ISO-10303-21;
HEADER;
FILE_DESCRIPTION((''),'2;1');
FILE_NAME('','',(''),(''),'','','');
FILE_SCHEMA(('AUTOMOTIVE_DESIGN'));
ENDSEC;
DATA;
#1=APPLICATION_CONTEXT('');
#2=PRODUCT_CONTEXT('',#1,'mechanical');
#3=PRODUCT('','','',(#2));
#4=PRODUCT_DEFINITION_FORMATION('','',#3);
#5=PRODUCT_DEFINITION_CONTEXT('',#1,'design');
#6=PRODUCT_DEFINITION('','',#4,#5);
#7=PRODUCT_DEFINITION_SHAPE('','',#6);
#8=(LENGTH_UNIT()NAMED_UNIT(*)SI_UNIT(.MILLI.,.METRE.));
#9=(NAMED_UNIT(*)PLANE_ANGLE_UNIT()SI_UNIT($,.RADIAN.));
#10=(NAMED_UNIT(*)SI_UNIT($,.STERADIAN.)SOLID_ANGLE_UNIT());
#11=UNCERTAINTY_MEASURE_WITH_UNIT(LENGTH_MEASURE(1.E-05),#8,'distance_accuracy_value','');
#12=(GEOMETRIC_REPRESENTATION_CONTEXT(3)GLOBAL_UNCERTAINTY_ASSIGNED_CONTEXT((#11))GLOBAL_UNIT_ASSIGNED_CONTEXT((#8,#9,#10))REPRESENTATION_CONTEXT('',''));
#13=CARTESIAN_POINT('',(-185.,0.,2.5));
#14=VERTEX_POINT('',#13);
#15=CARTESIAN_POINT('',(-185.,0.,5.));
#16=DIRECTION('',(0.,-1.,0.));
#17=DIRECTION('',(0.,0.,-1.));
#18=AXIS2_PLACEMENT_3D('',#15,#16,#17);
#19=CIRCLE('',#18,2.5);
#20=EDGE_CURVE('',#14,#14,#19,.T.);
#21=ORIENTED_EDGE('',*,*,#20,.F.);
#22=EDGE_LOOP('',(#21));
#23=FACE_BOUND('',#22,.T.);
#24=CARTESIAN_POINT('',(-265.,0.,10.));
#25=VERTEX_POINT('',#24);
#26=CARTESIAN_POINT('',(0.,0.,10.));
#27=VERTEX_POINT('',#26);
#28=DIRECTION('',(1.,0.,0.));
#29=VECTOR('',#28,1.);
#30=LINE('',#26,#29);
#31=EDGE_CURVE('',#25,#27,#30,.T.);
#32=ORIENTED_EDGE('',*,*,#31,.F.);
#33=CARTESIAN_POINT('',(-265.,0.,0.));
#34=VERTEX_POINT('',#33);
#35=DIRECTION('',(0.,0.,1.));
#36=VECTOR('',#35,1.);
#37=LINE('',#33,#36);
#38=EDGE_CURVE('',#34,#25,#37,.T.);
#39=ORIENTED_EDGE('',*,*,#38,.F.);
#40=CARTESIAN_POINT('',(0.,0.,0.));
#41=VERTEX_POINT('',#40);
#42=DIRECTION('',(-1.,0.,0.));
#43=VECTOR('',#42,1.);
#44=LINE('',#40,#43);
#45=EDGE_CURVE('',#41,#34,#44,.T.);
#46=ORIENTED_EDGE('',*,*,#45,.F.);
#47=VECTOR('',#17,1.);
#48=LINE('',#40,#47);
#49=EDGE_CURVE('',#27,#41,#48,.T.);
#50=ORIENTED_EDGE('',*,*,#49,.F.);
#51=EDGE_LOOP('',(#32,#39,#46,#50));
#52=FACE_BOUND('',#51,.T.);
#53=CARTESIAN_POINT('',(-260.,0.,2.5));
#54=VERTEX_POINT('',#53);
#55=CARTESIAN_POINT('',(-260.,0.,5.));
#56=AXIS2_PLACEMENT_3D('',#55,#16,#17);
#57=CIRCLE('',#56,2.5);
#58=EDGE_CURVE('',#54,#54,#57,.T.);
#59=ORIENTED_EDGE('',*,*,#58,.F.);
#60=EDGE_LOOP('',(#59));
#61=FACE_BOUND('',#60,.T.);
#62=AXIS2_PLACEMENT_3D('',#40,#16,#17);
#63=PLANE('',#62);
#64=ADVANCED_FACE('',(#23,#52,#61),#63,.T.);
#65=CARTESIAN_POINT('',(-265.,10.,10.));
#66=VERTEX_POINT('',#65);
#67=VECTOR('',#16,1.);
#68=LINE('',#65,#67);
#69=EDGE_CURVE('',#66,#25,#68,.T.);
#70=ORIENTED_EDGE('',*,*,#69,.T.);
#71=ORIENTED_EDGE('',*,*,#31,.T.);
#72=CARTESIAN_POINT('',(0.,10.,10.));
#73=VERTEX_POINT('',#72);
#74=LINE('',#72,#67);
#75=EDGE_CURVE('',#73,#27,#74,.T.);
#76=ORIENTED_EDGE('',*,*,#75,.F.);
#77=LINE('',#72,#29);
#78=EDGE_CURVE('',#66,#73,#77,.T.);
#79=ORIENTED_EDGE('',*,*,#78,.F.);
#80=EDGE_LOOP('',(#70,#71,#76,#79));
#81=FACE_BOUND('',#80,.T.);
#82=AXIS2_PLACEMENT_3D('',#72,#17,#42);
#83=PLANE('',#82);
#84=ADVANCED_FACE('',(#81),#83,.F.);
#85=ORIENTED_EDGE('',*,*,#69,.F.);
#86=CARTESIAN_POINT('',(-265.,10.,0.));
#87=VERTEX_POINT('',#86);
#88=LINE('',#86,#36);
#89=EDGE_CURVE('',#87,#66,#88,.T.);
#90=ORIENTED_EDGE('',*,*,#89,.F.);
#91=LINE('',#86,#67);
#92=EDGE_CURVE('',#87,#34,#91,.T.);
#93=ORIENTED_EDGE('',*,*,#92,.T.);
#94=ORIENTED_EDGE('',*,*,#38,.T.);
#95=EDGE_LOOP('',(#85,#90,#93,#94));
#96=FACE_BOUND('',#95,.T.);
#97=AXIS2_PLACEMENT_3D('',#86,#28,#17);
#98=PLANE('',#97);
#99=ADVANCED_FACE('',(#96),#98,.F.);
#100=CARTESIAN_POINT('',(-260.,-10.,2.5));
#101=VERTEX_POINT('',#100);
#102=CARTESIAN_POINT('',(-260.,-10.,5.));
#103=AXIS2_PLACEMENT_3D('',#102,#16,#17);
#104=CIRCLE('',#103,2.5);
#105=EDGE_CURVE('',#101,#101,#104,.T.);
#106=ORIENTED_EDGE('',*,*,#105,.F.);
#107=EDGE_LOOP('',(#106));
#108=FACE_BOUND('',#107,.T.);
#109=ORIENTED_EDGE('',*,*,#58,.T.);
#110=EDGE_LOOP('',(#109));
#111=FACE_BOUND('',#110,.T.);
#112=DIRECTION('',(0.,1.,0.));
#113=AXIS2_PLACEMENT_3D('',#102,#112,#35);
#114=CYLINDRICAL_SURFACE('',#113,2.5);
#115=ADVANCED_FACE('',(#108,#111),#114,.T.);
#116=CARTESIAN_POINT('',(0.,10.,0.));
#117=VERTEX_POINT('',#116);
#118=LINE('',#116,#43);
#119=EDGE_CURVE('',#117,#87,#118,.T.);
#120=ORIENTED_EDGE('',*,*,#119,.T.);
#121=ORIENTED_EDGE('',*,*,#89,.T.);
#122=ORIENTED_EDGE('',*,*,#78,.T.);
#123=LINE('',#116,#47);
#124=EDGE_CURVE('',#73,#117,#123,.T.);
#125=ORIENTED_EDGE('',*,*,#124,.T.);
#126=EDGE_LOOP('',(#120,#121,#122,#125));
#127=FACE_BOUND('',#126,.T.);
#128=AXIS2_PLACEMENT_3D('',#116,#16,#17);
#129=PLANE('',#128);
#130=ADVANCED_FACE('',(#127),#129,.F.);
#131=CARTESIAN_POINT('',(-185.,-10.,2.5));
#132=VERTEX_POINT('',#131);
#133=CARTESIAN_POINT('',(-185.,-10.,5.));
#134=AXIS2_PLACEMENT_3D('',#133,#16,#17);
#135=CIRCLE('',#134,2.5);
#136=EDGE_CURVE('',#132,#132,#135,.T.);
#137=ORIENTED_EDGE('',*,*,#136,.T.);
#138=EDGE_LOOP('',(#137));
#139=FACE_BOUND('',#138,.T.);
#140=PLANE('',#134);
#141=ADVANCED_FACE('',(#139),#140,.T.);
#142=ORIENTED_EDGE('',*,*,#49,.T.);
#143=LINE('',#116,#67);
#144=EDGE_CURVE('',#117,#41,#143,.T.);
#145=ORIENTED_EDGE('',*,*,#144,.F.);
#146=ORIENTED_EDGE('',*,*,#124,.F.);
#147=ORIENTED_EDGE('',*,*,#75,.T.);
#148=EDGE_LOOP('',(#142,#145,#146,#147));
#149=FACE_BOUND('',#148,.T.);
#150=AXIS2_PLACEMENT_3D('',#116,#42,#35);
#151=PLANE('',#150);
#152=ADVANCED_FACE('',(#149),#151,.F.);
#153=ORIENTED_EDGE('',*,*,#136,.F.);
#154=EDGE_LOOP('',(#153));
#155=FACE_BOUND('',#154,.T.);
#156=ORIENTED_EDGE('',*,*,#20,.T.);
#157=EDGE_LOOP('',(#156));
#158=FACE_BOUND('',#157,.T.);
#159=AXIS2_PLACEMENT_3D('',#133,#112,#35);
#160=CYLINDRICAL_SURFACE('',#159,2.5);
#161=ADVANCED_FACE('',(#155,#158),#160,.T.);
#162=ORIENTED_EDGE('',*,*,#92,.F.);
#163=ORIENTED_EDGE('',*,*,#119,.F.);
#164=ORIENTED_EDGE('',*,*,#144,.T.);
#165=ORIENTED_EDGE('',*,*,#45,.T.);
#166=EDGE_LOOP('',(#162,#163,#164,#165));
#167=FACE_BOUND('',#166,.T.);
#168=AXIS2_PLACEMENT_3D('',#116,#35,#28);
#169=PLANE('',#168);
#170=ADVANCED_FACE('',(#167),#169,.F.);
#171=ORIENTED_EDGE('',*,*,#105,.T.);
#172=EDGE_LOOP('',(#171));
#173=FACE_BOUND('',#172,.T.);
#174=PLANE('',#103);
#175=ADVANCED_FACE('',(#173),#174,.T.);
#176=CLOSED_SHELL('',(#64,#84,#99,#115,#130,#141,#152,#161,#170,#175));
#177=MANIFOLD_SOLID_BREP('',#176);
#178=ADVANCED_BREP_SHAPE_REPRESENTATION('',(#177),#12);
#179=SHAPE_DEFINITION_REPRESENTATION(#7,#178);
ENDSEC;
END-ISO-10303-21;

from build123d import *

# Parameters (mm, degrees)
ESQUISSE1_W        = 265
ESQUISSE1_H        = 10
BOSS_EXTRU_1_DEPTH = 10
ESQUISSE2_R        = 2.5
BOSS_EXTRU_2_DEPTH = 10


with BuildPart() as part:
    # Esquisse1 → Boss.-Extru.1 (new body)
    with BuildSketch(Plane(origin=(0, 0, 0), x_dir=(1, 0, 0), z_dir=(0, 1, 0))):
        with Locations((-132.5, -5)):
            Rectangle(ESQUISSE1_W, ESQUISSE1_H)
    extrude(amount=BOSS_EXTRU_1_DEPTH)

    # Esquisse2 → Boss.-Extru.2 (add)
    with BuildSketch(Plane(origin=(0, 0, 0), x_dir=(-1, 0, 0), z_dir=(0, -1, 0))):
        with Locations(Location((260, -5, 0), (0, 0, 90))):
            Circle(ESQUISSE2_R)
        with Locations(Location((185, -5, 0), (0, 0, 90))):
            Circle(ESQUISSE2_R)
    extrude(amount=BOSS_EXTRU_2_DEPTH)


solid = part.part
